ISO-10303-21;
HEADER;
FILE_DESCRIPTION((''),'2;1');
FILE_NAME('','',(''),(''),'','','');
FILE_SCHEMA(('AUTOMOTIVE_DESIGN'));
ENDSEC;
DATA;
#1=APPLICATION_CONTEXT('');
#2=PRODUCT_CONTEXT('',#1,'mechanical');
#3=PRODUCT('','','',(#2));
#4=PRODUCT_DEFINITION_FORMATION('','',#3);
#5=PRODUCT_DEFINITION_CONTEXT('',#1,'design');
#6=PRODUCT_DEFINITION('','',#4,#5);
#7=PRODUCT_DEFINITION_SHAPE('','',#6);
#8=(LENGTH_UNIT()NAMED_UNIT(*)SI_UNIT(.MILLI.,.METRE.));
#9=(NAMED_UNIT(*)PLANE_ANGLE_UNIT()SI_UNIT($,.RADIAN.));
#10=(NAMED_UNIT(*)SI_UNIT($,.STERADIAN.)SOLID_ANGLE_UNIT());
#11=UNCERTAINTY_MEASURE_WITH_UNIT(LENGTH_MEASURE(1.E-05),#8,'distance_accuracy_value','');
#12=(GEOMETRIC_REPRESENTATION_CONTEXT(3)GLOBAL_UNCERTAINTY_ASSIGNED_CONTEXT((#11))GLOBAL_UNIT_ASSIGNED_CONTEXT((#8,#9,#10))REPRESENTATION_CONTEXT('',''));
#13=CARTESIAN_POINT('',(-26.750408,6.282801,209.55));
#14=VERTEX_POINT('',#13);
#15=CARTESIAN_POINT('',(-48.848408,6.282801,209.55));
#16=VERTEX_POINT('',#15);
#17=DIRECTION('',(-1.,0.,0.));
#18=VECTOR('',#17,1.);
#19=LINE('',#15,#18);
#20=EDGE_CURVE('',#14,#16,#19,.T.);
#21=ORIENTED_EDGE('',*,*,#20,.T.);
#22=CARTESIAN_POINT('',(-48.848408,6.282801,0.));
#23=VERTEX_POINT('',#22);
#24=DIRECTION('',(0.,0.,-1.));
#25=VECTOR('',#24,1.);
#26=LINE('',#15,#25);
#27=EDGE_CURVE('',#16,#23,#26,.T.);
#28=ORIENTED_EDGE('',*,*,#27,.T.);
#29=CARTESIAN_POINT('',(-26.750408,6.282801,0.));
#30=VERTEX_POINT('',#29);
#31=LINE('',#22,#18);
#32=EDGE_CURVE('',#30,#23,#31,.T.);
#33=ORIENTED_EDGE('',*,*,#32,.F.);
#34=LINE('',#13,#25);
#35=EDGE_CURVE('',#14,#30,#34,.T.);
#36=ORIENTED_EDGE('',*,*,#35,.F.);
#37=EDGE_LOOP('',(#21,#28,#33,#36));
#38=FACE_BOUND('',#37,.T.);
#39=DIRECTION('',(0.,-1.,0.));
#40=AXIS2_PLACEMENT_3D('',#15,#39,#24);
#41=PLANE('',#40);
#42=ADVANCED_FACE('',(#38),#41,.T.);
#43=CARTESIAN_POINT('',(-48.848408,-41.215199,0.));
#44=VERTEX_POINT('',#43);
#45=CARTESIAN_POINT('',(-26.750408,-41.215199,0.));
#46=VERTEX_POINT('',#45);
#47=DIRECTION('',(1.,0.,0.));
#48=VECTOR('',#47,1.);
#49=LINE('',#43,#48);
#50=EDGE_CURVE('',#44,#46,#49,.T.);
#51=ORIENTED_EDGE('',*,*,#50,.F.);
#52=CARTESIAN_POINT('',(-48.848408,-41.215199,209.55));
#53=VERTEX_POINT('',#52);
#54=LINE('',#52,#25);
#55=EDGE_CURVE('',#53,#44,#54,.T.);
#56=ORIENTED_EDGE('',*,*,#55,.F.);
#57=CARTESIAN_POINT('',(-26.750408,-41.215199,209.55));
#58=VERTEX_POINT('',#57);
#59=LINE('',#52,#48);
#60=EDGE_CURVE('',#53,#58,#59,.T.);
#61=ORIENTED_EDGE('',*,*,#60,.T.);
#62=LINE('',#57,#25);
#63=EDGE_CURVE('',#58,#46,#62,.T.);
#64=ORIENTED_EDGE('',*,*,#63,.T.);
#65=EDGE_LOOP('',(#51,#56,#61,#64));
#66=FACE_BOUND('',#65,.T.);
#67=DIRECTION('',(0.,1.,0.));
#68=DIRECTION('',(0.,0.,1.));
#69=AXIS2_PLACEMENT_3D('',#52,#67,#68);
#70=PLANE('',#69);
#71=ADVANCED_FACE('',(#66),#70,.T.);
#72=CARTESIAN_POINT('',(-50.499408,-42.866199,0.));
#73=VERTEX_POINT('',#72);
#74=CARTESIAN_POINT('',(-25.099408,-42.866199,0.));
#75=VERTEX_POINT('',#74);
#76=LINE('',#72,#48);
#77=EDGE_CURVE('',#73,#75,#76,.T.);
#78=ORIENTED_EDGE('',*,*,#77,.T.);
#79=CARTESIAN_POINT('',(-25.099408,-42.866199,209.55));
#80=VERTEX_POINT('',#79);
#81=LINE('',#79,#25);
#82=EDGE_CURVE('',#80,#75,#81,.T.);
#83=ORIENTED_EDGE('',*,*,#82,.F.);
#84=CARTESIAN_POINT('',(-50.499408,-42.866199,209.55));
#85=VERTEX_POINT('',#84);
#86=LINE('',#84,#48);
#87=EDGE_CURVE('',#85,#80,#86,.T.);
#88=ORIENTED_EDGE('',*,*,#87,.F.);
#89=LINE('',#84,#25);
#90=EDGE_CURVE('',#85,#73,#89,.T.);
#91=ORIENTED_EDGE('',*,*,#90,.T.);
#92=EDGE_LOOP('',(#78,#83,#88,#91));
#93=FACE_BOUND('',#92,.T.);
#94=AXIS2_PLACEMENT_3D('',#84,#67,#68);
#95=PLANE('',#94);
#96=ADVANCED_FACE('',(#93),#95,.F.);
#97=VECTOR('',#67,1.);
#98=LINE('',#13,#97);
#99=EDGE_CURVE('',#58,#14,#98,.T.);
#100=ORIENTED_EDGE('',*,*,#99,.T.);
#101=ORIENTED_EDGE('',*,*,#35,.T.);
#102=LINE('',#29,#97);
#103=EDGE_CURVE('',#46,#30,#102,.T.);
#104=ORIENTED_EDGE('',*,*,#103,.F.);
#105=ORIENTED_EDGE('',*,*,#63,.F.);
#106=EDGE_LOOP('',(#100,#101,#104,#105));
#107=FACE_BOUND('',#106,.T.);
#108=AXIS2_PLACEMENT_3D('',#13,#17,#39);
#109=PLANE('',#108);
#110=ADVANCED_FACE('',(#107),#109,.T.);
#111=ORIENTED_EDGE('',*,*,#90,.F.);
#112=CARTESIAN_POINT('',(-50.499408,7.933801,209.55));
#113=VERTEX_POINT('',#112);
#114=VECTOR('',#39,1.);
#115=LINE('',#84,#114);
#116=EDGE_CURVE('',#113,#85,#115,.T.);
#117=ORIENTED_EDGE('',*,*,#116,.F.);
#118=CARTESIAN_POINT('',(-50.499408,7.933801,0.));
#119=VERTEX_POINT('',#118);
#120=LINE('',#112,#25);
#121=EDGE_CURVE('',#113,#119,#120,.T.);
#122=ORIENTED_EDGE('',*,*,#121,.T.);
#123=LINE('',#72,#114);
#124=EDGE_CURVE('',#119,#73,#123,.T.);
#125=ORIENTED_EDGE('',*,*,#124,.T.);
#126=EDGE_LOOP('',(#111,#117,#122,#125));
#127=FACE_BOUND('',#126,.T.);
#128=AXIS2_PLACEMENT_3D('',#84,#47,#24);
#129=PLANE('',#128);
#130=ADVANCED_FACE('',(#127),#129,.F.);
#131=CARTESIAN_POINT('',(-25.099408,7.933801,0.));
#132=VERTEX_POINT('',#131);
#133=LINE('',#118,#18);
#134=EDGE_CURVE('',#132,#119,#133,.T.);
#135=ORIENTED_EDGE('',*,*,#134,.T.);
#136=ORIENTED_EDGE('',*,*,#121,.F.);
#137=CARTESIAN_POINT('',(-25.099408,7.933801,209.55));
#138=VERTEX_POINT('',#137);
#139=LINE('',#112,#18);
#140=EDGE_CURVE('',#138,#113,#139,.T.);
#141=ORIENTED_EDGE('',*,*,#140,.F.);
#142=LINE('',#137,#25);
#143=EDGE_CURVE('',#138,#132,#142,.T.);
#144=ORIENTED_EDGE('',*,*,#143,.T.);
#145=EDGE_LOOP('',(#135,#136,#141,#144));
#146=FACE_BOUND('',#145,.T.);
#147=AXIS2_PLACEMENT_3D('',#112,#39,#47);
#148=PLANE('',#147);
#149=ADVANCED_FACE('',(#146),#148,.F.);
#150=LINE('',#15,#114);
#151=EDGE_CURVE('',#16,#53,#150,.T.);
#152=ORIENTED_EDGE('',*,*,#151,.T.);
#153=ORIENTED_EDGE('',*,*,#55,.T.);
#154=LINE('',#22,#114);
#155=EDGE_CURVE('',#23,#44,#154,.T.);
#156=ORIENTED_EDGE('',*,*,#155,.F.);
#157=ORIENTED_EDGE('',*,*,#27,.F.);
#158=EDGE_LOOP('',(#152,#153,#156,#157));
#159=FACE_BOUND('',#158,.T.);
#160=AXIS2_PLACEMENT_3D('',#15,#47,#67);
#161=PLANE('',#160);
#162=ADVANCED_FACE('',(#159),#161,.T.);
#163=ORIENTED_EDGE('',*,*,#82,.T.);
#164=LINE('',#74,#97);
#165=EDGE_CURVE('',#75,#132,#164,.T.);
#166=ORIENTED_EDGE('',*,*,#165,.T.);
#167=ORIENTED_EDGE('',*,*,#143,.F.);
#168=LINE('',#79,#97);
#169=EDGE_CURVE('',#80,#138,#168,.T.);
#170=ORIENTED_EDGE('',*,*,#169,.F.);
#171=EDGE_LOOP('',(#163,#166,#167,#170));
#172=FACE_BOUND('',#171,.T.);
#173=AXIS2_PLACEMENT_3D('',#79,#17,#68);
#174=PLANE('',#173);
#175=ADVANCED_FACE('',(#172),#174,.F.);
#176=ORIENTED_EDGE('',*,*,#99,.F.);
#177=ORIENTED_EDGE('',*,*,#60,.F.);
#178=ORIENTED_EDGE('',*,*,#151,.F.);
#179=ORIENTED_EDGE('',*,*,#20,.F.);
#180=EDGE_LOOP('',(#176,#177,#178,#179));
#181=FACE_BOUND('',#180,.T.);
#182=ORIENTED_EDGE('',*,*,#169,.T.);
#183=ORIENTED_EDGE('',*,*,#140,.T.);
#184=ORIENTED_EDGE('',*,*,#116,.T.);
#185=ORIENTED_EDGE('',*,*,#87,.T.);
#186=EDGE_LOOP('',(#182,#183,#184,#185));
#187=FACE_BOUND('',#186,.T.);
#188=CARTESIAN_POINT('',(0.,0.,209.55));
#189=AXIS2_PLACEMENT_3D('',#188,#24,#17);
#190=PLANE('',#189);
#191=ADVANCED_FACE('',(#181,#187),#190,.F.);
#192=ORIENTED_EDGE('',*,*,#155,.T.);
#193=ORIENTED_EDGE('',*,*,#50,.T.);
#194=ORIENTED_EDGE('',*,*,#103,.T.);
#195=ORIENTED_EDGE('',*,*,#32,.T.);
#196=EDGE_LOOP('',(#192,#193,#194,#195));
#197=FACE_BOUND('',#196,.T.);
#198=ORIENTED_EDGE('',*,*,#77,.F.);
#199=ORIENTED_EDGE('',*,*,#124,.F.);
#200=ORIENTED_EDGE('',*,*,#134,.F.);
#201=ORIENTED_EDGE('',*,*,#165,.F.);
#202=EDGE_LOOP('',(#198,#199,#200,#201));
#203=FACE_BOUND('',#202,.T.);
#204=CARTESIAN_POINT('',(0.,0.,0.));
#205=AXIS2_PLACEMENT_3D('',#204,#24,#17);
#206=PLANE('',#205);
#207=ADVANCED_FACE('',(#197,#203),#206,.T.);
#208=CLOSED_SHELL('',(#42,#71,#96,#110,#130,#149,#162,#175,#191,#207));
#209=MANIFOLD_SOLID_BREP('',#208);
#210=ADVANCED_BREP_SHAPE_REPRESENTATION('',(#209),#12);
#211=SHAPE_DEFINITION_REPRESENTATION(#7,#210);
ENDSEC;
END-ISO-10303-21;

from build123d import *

# Parameters (mm, degrees)
SKETCH1_W           = 25.4
SKETCH1_H           = 50.8
SKETCH1_W_2         = 22.098
SKETCH1_H_2         = 47.498
BOSS_EXTRUDE1_DEPTH = 209.55


with BuildPart() as part:
    # Sketch1 → Boss-Extrude1 (new body)
    with BuildSketch(Plane.XY):
        with Locations((-37.799408284, -17.466199221)):
            Rectangle(SKETCH1_W, SKETCH1_H)
        with Locations((-37.799408284, -17.466199221)):
            Rectangle(SKETCH1_W_2, SKETCH1_H_2, mode=Mode.SUBTRACT)
    extrude(amount=BOSS_EXTRUDE1_DEPTH)


solid = part.part
